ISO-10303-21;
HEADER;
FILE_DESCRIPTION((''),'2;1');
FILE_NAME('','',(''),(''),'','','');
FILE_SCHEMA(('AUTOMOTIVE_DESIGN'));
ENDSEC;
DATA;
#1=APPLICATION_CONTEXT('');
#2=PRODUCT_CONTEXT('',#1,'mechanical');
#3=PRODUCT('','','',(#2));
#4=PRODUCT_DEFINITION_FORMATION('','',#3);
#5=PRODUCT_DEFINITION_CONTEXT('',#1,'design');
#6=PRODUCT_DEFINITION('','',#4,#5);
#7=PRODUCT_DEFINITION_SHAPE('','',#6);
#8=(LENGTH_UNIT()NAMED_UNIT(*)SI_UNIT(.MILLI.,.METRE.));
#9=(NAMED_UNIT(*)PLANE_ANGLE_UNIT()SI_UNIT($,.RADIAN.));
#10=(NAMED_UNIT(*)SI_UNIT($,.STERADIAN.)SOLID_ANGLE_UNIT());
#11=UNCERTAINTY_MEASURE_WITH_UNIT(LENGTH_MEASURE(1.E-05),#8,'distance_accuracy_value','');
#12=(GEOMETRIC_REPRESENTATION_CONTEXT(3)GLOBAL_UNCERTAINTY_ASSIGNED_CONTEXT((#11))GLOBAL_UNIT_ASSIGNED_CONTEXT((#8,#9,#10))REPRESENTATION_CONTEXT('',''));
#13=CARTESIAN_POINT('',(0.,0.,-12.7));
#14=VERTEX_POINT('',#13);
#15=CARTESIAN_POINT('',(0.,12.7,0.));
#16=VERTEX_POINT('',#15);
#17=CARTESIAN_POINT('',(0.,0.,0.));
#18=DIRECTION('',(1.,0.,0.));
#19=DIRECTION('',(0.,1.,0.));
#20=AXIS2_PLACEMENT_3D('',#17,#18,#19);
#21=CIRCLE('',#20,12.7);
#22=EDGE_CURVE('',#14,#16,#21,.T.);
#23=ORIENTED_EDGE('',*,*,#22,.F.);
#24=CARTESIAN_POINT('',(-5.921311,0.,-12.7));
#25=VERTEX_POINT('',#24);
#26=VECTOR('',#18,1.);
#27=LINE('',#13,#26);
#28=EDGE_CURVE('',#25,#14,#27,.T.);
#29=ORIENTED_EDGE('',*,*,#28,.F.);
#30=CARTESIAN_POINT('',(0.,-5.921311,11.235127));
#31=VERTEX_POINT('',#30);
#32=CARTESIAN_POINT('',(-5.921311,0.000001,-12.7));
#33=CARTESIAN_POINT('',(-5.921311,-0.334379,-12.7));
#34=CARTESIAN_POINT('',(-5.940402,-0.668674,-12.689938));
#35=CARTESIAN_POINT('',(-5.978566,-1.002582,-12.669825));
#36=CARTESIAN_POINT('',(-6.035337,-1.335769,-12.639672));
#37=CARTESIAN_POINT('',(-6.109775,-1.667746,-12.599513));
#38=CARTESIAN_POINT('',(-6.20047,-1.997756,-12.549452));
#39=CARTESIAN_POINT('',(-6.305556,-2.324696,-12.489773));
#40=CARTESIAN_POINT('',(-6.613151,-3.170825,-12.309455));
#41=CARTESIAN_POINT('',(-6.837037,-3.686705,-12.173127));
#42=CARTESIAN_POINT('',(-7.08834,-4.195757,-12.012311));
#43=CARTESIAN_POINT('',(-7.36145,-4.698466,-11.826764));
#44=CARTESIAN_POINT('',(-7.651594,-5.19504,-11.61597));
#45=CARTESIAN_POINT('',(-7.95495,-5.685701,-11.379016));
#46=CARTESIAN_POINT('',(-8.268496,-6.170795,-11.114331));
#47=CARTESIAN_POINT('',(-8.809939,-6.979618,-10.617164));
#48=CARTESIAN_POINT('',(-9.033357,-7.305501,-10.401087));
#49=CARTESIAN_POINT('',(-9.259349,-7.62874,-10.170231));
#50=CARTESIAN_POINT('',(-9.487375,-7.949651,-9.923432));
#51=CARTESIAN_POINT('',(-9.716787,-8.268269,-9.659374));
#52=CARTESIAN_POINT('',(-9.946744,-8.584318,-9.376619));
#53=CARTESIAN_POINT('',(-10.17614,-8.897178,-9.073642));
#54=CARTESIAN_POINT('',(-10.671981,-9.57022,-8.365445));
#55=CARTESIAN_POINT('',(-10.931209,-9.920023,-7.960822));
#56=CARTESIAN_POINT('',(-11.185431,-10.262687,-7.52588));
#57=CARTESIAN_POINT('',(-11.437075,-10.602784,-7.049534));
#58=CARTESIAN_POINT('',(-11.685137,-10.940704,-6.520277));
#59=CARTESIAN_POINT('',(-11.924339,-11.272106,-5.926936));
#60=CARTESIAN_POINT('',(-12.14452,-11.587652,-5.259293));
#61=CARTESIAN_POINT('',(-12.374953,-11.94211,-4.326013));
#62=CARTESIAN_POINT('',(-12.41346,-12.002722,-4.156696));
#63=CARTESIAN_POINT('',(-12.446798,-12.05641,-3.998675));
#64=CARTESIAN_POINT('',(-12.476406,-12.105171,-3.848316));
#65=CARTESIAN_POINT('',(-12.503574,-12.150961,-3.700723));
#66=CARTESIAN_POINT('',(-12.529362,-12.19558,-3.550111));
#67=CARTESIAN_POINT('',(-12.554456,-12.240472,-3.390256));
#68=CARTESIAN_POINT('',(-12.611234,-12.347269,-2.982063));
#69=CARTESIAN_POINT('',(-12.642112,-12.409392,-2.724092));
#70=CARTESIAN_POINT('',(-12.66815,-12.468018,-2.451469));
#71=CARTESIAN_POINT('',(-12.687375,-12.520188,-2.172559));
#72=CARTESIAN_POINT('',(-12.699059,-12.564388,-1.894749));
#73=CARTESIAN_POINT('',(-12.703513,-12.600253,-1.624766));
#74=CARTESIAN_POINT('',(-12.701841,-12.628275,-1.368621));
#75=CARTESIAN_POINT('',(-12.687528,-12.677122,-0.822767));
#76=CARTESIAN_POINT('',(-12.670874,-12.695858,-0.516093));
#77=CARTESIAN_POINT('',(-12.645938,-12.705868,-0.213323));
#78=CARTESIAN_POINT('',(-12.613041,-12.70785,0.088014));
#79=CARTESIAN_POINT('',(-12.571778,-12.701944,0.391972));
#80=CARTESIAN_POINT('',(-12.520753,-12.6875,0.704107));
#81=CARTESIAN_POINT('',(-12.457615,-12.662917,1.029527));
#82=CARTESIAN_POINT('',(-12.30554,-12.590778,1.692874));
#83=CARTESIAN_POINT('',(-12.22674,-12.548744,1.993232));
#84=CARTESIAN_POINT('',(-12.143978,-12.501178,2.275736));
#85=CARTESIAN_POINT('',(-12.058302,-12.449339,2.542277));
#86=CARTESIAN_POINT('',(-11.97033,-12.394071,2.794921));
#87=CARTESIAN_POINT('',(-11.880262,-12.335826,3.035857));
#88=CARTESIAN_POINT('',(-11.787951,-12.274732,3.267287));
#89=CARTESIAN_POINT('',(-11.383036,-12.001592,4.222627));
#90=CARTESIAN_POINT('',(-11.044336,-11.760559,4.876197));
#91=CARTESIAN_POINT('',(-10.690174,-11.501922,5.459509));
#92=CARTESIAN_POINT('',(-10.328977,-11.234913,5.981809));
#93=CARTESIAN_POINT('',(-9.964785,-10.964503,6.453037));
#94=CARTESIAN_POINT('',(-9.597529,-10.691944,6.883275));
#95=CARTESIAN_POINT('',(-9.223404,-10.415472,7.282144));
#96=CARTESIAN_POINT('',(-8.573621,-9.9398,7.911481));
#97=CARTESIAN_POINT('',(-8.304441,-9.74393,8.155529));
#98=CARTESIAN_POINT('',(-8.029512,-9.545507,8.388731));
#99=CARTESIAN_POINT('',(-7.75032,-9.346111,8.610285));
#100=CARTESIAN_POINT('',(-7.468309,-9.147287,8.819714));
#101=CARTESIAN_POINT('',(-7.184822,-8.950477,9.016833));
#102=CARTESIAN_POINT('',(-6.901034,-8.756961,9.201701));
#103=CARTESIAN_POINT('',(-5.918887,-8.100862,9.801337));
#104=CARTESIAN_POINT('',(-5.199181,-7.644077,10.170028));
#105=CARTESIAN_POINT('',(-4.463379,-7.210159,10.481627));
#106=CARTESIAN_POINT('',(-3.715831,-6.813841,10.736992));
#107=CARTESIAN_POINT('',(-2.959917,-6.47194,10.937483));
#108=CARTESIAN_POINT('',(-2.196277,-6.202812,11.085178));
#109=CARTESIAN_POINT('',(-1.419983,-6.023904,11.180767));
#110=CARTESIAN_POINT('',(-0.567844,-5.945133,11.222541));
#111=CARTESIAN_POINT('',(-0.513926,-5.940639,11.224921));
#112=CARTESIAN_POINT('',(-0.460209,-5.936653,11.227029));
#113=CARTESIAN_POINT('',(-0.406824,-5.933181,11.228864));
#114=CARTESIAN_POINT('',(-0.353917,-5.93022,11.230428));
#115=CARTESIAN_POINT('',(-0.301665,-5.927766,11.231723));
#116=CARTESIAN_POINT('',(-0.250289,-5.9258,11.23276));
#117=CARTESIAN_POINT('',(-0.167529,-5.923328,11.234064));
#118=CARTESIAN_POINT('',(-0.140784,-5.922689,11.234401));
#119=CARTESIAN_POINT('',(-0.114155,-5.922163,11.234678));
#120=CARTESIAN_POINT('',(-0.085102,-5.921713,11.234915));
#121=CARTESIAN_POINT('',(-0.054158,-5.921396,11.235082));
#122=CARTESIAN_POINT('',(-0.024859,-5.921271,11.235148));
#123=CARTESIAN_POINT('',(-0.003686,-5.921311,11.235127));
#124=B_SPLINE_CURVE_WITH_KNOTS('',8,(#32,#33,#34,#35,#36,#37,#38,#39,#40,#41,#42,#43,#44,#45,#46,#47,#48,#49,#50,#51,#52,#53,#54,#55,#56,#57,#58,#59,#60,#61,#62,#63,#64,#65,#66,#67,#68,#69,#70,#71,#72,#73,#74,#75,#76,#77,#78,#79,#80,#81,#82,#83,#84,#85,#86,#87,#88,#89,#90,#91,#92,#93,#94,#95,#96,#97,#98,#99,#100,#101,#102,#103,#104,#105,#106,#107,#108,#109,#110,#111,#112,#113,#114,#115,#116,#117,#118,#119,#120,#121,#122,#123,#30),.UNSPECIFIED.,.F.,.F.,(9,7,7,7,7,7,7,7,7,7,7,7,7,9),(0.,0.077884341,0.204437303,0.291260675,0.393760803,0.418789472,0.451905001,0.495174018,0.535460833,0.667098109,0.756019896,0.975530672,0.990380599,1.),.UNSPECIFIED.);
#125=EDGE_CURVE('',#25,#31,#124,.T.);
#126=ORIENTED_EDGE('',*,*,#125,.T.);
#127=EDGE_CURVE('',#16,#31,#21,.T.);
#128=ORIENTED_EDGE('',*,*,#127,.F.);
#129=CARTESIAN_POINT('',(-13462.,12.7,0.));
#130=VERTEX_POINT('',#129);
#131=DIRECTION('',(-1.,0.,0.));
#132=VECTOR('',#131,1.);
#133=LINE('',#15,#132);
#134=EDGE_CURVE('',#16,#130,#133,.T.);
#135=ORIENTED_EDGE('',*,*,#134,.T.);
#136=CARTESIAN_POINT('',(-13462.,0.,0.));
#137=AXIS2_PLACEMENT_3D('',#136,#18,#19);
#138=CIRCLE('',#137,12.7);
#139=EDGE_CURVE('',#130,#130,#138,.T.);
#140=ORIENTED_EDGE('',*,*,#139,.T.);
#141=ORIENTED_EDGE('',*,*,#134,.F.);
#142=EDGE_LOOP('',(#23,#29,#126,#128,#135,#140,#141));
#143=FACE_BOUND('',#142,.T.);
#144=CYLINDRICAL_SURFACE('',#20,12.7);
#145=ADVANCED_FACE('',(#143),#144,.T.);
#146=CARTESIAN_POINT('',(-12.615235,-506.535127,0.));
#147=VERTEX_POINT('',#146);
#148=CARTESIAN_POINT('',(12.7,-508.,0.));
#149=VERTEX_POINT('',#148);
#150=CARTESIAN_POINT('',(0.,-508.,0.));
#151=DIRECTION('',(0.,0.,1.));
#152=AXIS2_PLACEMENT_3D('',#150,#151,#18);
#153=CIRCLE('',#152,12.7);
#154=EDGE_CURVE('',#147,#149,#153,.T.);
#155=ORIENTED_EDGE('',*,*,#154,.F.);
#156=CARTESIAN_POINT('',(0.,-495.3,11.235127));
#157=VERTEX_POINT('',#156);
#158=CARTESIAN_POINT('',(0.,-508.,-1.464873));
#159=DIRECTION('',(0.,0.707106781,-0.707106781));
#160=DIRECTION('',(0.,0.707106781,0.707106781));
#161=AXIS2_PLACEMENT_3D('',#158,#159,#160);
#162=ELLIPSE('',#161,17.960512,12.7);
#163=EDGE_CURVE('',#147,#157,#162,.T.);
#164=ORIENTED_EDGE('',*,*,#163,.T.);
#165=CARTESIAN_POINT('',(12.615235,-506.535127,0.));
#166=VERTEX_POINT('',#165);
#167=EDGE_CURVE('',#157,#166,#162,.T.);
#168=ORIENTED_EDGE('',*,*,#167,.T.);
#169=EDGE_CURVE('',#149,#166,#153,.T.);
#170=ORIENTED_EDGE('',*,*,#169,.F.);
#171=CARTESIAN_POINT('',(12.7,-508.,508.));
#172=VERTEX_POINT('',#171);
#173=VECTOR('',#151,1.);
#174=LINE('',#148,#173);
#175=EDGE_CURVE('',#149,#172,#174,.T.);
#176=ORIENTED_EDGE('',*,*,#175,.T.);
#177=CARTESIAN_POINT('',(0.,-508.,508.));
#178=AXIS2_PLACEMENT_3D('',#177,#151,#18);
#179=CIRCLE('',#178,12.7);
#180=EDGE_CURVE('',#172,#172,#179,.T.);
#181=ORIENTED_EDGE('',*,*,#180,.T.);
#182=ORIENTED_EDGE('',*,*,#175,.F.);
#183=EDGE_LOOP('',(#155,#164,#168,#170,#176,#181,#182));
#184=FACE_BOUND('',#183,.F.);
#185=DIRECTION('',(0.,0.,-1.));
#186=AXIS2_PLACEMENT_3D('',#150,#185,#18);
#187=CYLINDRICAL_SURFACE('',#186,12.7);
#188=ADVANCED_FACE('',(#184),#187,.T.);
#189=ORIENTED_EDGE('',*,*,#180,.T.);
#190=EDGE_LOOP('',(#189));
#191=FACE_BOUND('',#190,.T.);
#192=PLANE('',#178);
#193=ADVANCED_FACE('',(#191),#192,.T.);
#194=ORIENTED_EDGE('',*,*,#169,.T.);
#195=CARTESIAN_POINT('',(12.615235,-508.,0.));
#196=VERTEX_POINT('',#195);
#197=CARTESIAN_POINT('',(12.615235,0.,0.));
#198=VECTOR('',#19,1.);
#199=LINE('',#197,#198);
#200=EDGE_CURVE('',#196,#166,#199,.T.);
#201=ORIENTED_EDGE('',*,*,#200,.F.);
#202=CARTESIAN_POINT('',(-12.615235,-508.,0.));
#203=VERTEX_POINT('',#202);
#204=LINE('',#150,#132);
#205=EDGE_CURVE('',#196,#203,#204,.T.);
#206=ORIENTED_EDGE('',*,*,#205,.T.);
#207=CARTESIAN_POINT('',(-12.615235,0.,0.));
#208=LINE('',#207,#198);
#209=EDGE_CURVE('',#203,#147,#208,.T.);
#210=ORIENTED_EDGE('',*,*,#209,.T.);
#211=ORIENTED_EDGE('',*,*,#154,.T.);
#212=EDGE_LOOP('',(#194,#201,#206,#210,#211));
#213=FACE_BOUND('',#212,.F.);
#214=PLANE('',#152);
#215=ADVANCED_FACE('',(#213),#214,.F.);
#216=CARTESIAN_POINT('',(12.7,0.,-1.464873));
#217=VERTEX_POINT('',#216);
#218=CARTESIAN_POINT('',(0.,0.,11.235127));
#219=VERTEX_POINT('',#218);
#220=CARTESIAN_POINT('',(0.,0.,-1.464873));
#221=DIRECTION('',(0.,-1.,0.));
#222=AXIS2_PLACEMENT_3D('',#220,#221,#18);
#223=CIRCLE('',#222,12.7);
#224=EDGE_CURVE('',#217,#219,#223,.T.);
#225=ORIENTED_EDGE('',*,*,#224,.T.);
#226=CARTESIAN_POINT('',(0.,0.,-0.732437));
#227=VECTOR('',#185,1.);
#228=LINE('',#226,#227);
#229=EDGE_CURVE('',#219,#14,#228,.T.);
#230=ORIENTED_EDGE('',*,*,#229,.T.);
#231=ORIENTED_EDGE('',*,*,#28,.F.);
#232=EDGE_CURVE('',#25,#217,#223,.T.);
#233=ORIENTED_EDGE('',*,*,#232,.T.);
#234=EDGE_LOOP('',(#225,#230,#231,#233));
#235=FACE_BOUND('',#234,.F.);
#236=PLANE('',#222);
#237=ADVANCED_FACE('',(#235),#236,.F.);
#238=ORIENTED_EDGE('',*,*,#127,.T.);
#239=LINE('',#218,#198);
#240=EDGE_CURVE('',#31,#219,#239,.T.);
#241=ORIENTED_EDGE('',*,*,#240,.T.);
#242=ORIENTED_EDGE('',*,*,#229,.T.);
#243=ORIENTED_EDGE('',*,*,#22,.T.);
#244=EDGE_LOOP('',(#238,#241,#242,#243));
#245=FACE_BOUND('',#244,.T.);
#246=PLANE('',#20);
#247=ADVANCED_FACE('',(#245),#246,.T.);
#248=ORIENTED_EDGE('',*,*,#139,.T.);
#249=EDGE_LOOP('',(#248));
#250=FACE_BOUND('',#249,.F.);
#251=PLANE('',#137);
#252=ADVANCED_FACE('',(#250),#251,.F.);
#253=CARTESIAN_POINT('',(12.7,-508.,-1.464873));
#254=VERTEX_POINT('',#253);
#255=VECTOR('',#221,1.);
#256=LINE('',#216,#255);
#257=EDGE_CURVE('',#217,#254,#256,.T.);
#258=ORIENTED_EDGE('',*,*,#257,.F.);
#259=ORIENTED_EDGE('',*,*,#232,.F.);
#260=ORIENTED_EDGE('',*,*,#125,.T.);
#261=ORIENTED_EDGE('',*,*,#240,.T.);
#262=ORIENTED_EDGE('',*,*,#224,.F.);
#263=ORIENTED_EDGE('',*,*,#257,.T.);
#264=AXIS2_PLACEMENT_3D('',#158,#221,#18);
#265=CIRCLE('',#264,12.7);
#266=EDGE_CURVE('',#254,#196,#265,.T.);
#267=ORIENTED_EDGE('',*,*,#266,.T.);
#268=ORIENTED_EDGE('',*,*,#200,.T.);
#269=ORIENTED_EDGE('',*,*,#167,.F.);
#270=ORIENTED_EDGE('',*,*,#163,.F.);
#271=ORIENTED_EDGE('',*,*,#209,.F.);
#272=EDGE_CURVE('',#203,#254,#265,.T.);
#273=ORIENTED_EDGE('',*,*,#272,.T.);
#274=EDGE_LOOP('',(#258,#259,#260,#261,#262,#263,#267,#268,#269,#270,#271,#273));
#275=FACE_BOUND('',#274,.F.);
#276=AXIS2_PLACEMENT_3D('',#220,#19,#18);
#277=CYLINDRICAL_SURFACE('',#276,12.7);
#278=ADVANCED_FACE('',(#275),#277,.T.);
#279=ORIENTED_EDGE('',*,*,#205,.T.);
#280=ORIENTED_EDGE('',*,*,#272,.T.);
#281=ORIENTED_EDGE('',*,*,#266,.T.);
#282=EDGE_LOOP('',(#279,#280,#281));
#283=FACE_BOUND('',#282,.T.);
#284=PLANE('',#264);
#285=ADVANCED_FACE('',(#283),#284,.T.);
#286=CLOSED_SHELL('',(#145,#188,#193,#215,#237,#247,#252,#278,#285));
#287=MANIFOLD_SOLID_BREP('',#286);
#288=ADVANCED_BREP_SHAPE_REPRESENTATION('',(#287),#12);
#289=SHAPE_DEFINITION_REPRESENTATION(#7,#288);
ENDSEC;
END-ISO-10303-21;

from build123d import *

# Parameters (mm, degrees)
F0_R     = 12.7
F1_DEPTH = 13462
F2_R     = 12.7
F3_DEPTH = 508
F5_R     = 12.7
F6_DEPTH = 508


with BuildPart() as f1:
    # F0 (on Right) → F1 (new body)
    with BuildSketch(Plane.YZ):
        Circle(F0_R)
    extrude(amount=-F1_DEPTH)

    # F2 (on Front) → F3 (join)
    with BuildSketch(Plane.XZ):
        with Locations((0, -1.464873)):
            Circle(F2_R)
    extrude(amount=F3_DEPTH)

    # F5 (on Top) → F6 (join)
    with BuildSketch(Plane.XY):
        with Locations((0, -508)):
            Circle(F5_R)
    extrude(amount=F6_DEPTH)


solid = f1.part
